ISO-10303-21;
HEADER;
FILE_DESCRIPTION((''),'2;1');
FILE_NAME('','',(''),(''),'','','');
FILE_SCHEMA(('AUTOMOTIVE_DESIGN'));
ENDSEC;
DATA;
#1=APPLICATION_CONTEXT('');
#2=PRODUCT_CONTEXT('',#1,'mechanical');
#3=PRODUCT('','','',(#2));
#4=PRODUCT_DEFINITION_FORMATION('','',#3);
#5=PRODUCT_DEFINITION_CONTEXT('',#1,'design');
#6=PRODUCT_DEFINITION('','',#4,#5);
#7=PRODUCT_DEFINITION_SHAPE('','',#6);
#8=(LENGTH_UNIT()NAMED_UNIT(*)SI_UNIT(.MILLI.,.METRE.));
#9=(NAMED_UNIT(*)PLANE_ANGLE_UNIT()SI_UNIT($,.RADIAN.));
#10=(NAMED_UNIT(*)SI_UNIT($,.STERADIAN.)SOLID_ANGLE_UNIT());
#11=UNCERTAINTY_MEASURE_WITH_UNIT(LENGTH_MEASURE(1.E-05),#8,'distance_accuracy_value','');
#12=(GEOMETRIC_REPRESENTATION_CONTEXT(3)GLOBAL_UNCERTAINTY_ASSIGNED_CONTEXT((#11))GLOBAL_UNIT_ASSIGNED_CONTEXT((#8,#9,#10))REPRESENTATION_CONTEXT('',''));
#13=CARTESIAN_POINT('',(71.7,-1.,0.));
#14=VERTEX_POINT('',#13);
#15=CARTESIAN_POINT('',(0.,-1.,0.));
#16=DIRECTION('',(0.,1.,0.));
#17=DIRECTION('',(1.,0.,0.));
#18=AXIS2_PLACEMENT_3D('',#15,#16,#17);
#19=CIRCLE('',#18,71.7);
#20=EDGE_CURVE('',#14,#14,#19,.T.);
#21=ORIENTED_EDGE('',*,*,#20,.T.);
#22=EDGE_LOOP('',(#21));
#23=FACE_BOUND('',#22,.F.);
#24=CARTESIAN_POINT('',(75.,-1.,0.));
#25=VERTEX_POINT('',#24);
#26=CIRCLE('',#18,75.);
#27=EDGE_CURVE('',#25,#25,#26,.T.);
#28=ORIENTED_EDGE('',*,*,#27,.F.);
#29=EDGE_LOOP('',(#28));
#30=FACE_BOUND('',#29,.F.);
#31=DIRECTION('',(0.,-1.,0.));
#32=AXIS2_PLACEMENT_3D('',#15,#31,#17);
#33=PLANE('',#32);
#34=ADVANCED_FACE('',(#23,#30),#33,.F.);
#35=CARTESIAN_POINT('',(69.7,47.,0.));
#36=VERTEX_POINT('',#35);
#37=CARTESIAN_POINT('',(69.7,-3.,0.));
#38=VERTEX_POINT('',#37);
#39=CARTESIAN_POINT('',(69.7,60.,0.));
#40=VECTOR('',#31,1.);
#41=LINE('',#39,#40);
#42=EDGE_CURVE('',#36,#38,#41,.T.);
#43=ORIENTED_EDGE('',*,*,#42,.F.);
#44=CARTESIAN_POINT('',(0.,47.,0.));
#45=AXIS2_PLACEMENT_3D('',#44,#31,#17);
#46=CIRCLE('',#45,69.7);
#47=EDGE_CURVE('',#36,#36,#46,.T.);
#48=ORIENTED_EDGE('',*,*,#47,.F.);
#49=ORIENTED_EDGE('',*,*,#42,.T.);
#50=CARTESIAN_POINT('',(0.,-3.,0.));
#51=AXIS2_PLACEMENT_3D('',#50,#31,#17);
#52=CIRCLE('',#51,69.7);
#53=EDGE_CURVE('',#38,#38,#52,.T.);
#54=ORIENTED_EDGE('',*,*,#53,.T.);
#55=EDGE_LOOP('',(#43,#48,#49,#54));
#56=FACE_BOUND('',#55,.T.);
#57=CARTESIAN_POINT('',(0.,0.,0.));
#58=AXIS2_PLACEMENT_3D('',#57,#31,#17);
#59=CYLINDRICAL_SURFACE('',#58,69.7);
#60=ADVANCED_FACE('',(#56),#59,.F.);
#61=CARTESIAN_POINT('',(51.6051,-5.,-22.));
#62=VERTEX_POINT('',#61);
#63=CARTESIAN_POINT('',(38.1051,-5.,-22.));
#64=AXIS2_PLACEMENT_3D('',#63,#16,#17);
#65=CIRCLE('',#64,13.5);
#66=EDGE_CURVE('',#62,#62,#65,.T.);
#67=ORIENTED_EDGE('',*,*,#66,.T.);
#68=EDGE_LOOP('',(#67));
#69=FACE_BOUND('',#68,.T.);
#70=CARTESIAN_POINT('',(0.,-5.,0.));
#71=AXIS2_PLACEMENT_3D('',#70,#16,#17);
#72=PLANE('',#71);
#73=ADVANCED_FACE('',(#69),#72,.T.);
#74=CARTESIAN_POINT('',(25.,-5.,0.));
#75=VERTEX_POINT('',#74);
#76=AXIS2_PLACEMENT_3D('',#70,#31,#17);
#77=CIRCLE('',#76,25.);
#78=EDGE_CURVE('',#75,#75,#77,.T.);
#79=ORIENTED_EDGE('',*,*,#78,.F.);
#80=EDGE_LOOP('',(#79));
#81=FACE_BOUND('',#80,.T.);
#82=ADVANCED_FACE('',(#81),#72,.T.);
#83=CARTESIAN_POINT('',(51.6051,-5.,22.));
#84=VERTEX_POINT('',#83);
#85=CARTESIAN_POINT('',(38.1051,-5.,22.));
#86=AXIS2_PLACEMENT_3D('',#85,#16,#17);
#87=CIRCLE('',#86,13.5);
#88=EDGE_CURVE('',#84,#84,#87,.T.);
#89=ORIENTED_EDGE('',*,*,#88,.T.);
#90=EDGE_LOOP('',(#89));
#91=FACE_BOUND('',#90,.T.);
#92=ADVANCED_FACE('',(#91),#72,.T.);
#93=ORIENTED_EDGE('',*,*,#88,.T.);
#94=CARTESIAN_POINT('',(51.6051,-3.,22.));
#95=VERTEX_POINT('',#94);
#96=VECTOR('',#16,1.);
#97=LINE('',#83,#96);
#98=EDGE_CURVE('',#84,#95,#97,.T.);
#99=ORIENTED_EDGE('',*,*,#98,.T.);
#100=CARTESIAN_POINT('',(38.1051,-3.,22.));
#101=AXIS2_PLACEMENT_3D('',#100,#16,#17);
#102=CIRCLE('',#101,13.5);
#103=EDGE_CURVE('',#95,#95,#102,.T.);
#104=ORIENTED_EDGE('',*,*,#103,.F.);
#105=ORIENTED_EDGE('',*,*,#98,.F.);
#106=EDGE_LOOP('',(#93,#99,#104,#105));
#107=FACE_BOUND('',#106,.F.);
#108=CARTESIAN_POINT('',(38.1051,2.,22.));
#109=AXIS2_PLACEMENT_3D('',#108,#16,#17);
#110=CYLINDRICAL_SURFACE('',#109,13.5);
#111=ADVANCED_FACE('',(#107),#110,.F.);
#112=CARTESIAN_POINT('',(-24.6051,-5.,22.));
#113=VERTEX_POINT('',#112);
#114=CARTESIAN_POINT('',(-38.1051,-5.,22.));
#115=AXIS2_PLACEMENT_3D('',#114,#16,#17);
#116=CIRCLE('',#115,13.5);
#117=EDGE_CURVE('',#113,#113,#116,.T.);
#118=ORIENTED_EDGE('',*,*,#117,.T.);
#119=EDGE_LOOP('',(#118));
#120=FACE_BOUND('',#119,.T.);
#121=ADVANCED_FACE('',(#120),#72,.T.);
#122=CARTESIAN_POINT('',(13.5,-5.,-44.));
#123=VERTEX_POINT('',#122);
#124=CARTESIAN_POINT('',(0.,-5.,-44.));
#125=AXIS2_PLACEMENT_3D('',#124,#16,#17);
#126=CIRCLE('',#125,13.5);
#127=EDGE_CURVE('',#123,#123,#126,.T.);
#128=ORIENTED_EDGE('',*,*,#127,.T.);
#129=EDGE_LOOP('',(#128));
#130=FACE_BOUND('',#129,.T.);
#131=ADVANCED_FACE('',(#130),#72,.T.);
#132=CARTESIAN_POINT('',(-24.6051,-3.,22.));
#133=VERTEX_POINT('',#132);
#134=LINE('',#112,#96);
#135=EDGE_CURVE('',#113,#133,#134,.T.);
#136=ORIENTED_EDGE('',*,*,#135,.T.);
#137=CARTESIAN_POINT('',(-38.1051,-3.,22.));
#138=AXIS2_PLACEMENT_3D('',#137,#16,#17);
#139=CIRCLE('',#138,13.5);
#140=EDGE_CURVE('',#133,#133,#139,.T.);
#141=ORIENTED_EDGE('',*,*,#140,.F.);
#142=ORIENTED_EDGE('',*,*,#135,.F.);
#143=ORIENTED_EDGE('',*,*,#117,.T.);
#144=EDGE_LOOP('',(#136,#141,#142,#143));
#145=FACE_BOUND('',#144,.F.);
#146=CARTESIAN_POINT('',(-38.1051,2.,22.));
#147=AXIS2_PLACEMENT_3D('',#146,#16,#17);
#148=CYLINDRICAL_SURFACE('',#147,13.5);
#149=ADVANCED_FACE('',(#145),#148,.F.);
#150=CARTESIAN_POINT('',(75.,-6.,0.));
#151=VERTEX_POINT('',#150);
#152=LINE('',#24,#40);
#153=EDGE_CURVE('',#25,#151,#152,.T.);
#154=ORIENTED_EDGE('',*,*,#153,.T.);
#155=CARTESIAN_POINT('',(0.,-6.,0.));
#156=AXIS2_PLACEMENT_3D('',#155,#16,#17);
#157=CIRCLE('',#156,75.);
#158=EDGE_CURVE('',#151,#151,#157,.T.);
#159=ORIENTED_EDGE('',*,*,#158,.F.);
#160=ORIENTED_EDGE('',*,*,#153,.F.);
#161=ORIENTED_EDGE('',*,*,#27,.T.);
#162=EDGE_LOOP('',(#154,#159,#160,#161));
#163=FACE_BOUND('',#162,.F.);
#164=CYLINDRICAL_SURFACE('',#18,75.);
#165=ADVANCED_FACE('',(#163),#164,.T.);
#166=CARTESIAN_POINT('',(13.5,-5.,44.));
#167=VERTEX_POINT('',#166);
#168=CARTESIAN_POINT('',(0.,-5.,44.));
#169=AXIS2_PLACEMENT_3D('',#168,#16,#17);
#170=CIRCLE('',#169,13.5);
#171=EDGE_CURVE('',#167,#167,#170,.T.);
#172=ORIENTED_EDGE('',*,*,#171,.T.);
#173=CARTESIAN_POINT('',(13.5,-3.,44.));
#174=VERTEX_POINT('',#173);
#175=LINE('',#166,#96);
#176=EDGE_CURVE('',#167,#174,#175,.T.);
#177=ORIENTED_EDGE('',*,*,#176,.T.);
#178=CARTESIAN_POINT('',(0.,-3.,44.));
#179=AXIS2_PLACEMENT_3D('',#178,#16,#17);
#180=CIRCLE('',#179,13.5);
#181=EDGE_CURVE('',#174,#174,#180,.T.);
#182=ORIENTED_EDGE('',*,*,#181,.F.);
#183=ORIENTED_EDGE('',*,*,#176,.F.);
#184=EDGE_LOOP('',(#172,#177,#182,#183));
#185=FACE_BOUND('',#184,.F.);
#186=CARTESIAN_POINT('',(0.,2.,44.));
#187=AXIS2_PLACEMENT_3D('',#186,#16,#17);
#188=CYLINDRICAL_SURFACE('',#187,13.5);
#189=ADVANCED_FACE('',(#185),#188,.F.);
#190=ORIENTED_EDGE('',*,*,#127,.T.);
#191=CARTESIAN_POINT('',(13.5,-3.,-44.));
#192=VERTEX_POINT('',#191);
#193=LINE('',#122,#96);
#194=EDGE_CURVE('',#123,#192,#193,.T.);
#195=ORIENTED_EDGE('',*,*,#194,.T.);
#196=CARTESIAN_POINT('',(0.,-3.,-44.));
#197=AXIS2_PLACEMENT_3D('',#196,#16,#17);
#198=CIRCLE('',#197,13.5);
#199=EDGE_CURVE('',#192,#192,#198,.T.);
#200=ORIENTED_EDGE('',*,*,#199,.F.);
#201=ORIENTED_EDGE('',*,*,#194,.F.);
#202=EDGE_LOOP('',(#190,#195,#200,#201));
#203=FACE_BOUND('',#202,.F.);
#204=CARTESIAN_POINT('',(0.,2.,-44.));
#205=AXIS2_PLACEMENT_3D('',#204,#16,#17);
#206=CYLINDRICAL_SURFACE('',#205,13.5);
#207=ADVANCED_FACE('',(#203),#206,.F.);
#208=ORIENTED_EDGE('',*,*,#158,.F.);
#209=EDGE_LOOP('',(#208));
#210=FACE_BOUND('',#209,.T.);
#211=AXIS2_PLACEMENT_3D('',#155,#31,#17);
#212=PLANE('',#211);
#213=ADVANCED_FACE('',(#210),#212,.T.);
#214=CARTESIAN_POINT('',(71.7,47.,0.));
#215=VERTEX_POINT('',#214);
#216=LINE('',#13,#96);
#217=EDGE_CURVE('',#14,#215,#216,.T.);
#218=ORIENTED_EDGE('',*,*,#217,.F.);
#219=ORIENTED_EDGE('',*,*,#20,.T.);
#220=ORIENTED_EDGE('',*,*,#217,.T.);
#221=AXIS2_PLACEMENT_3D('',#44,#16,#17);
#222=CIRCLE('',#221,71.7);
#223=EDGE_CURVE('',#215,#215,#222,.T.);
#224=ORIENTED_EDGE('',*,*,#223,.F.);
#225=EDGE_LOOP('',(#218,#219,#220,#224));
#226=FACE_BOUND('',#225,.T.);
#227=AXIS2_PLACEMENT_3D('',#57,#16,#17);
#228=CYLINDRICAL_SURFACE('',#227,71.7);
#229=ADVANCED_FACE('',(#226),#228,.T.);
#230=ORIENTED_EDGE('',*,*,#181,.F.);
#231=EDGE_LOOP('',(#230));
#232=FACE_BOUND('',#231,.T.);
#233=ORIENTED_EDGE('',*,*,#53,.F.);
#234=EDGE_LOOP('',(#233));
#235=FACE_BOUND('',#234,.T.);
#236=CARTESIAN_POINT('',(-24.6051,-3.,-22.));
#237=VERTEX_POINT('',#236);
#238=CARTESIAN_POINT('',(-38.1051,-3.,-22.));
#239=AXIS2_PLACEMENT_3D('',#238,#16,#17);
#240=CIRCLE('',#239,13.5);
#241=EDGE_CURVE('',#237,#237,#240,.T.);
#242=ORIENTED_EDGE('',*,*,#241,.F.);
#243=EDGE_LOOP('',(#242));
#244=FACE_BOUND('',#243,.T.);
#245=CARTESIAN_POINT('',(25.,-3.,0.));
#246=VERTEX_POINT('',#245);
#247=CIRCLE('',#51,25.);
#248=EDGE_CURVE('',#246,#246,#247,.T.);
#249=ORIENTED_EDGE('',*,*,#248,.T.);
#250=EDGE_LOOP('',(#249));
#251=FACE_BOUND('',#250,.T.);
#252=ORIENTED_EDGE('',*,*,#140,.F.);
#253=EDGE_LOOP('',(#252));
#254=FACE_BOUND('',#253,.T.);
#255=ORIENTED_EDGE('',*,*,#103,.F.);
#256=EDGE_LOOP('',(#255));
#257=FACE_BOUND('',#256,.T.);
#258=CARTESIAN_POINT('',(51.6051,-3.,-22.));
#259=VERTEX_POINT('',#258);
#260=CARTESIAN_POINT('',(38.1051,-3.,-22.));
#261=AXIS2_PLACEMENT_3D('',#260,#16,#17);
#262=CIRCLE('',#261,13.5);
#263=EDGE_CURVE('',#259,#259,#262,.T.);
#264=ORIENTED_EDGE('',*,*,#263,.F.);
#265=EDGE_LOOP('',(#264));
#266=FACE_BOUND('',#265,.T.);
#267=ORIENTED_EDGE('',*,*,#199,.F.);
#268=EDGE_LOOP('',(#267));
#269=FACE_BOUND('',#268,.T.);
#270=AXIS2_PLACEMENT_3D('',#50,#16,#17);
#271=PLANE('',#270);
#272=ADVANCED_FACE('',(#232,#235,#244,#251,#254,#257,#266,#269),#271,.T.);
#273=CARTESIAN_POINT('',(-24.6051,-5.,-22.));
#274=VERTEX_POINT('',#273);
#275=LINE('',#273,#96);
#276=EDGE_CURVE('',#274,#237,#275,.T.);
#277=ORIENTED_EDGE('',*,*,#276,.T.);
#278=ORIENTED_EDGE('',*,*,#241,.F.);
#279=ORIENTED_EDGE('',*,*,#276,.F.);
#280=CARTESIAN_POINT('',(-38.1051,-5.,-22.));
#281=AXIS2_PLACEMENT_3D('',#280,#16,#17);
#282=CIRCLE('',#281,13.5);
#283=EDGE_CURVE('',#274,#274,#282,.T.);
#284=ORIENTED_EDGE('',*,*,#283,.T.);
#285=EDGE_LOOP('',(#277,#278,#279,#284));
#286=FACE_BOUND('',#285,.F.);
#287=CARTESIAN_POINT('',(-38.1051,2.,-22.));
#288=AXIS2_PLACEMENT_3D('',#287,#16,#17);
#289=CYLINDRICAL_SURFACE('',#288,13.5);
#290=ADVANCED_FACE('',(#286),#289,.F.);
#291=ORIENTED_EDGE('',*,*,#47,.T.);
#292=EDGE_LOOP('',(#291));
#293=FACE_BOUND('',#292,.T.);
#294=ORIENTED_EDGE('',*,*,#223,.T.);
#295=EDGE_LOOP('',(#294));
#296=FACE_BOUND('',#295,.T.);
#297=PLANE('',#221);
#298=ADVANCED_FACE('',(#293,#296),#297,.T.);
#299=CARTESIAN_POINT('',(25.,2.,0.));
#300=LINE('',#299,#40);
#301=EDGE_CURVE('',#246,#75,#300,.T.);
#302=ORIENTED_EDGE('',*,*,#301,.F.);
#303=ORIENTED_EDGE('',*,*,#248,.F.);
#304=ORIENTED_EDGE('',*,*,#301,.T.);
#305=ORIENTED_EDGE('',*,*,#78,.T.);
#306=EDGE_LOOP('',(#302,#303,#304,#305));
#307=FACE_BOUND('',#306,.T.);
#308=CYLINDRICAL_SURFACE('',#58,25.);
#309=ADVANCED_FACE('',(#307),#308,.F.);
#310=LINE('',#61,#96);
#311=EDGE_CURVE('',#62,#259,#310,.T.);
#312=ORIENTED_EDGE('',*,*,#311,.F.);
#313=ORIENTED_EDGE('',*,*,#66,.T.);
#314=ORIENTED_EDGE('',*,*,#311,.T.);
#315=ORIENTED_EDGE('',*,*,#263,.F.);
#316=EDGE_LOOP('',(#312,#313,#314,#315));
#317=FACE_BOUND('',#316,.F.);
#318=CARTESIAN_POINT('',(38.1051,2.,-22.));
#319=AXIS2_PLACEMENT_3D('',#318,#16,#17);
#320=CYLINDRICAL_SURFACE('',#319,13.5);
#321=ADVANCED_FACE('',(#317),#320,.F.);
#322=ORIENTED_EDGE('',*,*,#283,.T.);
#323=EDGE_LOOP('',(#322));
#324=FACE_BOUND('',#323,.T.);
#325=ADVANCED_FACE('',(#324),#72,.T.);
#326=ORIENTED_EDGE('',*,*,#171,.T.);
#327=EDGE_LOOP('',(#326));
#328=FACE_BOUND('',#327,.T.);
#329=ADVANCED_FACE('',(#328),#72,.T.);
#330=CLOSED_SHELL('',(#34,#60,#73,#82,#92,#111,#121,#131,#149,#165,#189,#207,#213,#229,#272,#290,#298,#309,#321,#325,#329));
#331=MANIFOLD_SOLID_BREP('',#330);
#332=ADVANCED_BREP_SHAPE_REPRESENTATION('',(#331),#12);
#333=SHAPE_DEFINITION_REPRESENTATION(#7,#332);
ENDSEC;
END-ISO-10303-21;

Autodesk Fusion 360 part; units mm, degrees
sketch "Skizze1" plane through (0, 0, 0) normal (0, 1, 0) x (1, 0, 0)
  circle A0 centre (0, 0) radius 71.7
  circle A1 centre (0, 0) radius 68.7
  circle A2 centre (0, 0) radius 25
  circle A3 centre (0, 44) radius 13.5
  circle A4 centre (-38.1051, 22) radius 13.5
  circle A5 centre (-38.1051, -22) radius 13.5
  circle A6 centre (0, -44) radius 13.5
  circle A7 centre (38.1051, -22) radius 13.5
  circle A8 centre (38.1051, 22) radius 13.5
  dimension "d2" = 143.4
  dimension "d3" = 3
  dimension "d4" = 50
  dimension "d11" = 27
  dimension "d13" = 360
  dimension "d17" = 44
  dimension "d25" = 44
extrude "Extrusion1" add sketch "Skizze1" along normal blind 2 contours A1 | A3 | A4 | A5 | A6 | A7 | A8 makes body 1
extrude "Extrusion2" add sketch "Skizze1" against normal blind 1 contours A0 | A1 | A2 | A3 | A4 | A5 | A6 | A7 | A8 bodies 1
extrude "Extrusion3" add sketch "Skizze1" along normal blind 60 contours A0 bodies 1
extrude "Extrusion4" cut sketch "Skizze1" against normal blind 2 from surface at 2 contours A3 | A4 | A5 | A6 | A7 | A8 bodies 1
sketch "Skizze2" plane through (0, 60, 0) normal (0, 1, 0) x (-1, 0, 0)
  circle A0 centre (0, 0) radius 68.7
  circle A1 centre (0, 0) radius 71.7
  circle A2 centre (0, 0) radius 68.3
  circle A3 centre (0, 0) radius 63.7
  dimension "d19" = -0.4
  dimension "d22" = -5
extrude "Extrusion5" add sketch "Skizze2" along normal blind 4 separate body contours A0 | A1 | A2 | A3 makes body 2
extrude "Extrusion6" add sketch "Skizze2" against normal blind 5 contours A2 bodies 2
sketch "Skizze3" plane through (0, -1, 0) normal (0, -1, 0) x (1, 0, 0)
  circle A0 centre (0, 0) radius 71.7
  circle A1 centre (0, 0) radius 75
  dimension "d26" = 150
extrude "Extrusion7" add sketch "Skizze3" along normal blind 5 contours A0 | A1 bodies 1
extrude "Extrusion8" cut 7 faces at (36.4978, 0, -25.6989) (3.6941, 0, -49.6839) (-6.7759, 0, 1.242) (-46.8549, 0, -23.9971) (-34.6344, 0, 25.418) (-1.9803, 0, 52.6763) (42.9135, 0, 25.5182) along direction (0, -1, 0) blind 5 on bodies 1 bodies 1
extrude "Extrusion9" cut 1 faces at (26.9574, 2, -46.6916) along direction (0, -1, 0) blind 5 on bodies 1 bodies 1
move_face "Flächen versetzen1" offset -1 1 faces at (68.6146, 39, 3.4244) on bodies 1
extrude "Extrusion10" cut 1 faces at (-22.538, 60, -67.176) along direction (0, -1, 0) blind 13 on bodies 1 bodies 1
hidden bodies 2
equation "Durchmesser = Plexidurchmesser - 3 mm - 3 mm - 0.6 mm"
equation "d2 = Durchmesser"
equation "Plexidurchmesser = 150 mm"
